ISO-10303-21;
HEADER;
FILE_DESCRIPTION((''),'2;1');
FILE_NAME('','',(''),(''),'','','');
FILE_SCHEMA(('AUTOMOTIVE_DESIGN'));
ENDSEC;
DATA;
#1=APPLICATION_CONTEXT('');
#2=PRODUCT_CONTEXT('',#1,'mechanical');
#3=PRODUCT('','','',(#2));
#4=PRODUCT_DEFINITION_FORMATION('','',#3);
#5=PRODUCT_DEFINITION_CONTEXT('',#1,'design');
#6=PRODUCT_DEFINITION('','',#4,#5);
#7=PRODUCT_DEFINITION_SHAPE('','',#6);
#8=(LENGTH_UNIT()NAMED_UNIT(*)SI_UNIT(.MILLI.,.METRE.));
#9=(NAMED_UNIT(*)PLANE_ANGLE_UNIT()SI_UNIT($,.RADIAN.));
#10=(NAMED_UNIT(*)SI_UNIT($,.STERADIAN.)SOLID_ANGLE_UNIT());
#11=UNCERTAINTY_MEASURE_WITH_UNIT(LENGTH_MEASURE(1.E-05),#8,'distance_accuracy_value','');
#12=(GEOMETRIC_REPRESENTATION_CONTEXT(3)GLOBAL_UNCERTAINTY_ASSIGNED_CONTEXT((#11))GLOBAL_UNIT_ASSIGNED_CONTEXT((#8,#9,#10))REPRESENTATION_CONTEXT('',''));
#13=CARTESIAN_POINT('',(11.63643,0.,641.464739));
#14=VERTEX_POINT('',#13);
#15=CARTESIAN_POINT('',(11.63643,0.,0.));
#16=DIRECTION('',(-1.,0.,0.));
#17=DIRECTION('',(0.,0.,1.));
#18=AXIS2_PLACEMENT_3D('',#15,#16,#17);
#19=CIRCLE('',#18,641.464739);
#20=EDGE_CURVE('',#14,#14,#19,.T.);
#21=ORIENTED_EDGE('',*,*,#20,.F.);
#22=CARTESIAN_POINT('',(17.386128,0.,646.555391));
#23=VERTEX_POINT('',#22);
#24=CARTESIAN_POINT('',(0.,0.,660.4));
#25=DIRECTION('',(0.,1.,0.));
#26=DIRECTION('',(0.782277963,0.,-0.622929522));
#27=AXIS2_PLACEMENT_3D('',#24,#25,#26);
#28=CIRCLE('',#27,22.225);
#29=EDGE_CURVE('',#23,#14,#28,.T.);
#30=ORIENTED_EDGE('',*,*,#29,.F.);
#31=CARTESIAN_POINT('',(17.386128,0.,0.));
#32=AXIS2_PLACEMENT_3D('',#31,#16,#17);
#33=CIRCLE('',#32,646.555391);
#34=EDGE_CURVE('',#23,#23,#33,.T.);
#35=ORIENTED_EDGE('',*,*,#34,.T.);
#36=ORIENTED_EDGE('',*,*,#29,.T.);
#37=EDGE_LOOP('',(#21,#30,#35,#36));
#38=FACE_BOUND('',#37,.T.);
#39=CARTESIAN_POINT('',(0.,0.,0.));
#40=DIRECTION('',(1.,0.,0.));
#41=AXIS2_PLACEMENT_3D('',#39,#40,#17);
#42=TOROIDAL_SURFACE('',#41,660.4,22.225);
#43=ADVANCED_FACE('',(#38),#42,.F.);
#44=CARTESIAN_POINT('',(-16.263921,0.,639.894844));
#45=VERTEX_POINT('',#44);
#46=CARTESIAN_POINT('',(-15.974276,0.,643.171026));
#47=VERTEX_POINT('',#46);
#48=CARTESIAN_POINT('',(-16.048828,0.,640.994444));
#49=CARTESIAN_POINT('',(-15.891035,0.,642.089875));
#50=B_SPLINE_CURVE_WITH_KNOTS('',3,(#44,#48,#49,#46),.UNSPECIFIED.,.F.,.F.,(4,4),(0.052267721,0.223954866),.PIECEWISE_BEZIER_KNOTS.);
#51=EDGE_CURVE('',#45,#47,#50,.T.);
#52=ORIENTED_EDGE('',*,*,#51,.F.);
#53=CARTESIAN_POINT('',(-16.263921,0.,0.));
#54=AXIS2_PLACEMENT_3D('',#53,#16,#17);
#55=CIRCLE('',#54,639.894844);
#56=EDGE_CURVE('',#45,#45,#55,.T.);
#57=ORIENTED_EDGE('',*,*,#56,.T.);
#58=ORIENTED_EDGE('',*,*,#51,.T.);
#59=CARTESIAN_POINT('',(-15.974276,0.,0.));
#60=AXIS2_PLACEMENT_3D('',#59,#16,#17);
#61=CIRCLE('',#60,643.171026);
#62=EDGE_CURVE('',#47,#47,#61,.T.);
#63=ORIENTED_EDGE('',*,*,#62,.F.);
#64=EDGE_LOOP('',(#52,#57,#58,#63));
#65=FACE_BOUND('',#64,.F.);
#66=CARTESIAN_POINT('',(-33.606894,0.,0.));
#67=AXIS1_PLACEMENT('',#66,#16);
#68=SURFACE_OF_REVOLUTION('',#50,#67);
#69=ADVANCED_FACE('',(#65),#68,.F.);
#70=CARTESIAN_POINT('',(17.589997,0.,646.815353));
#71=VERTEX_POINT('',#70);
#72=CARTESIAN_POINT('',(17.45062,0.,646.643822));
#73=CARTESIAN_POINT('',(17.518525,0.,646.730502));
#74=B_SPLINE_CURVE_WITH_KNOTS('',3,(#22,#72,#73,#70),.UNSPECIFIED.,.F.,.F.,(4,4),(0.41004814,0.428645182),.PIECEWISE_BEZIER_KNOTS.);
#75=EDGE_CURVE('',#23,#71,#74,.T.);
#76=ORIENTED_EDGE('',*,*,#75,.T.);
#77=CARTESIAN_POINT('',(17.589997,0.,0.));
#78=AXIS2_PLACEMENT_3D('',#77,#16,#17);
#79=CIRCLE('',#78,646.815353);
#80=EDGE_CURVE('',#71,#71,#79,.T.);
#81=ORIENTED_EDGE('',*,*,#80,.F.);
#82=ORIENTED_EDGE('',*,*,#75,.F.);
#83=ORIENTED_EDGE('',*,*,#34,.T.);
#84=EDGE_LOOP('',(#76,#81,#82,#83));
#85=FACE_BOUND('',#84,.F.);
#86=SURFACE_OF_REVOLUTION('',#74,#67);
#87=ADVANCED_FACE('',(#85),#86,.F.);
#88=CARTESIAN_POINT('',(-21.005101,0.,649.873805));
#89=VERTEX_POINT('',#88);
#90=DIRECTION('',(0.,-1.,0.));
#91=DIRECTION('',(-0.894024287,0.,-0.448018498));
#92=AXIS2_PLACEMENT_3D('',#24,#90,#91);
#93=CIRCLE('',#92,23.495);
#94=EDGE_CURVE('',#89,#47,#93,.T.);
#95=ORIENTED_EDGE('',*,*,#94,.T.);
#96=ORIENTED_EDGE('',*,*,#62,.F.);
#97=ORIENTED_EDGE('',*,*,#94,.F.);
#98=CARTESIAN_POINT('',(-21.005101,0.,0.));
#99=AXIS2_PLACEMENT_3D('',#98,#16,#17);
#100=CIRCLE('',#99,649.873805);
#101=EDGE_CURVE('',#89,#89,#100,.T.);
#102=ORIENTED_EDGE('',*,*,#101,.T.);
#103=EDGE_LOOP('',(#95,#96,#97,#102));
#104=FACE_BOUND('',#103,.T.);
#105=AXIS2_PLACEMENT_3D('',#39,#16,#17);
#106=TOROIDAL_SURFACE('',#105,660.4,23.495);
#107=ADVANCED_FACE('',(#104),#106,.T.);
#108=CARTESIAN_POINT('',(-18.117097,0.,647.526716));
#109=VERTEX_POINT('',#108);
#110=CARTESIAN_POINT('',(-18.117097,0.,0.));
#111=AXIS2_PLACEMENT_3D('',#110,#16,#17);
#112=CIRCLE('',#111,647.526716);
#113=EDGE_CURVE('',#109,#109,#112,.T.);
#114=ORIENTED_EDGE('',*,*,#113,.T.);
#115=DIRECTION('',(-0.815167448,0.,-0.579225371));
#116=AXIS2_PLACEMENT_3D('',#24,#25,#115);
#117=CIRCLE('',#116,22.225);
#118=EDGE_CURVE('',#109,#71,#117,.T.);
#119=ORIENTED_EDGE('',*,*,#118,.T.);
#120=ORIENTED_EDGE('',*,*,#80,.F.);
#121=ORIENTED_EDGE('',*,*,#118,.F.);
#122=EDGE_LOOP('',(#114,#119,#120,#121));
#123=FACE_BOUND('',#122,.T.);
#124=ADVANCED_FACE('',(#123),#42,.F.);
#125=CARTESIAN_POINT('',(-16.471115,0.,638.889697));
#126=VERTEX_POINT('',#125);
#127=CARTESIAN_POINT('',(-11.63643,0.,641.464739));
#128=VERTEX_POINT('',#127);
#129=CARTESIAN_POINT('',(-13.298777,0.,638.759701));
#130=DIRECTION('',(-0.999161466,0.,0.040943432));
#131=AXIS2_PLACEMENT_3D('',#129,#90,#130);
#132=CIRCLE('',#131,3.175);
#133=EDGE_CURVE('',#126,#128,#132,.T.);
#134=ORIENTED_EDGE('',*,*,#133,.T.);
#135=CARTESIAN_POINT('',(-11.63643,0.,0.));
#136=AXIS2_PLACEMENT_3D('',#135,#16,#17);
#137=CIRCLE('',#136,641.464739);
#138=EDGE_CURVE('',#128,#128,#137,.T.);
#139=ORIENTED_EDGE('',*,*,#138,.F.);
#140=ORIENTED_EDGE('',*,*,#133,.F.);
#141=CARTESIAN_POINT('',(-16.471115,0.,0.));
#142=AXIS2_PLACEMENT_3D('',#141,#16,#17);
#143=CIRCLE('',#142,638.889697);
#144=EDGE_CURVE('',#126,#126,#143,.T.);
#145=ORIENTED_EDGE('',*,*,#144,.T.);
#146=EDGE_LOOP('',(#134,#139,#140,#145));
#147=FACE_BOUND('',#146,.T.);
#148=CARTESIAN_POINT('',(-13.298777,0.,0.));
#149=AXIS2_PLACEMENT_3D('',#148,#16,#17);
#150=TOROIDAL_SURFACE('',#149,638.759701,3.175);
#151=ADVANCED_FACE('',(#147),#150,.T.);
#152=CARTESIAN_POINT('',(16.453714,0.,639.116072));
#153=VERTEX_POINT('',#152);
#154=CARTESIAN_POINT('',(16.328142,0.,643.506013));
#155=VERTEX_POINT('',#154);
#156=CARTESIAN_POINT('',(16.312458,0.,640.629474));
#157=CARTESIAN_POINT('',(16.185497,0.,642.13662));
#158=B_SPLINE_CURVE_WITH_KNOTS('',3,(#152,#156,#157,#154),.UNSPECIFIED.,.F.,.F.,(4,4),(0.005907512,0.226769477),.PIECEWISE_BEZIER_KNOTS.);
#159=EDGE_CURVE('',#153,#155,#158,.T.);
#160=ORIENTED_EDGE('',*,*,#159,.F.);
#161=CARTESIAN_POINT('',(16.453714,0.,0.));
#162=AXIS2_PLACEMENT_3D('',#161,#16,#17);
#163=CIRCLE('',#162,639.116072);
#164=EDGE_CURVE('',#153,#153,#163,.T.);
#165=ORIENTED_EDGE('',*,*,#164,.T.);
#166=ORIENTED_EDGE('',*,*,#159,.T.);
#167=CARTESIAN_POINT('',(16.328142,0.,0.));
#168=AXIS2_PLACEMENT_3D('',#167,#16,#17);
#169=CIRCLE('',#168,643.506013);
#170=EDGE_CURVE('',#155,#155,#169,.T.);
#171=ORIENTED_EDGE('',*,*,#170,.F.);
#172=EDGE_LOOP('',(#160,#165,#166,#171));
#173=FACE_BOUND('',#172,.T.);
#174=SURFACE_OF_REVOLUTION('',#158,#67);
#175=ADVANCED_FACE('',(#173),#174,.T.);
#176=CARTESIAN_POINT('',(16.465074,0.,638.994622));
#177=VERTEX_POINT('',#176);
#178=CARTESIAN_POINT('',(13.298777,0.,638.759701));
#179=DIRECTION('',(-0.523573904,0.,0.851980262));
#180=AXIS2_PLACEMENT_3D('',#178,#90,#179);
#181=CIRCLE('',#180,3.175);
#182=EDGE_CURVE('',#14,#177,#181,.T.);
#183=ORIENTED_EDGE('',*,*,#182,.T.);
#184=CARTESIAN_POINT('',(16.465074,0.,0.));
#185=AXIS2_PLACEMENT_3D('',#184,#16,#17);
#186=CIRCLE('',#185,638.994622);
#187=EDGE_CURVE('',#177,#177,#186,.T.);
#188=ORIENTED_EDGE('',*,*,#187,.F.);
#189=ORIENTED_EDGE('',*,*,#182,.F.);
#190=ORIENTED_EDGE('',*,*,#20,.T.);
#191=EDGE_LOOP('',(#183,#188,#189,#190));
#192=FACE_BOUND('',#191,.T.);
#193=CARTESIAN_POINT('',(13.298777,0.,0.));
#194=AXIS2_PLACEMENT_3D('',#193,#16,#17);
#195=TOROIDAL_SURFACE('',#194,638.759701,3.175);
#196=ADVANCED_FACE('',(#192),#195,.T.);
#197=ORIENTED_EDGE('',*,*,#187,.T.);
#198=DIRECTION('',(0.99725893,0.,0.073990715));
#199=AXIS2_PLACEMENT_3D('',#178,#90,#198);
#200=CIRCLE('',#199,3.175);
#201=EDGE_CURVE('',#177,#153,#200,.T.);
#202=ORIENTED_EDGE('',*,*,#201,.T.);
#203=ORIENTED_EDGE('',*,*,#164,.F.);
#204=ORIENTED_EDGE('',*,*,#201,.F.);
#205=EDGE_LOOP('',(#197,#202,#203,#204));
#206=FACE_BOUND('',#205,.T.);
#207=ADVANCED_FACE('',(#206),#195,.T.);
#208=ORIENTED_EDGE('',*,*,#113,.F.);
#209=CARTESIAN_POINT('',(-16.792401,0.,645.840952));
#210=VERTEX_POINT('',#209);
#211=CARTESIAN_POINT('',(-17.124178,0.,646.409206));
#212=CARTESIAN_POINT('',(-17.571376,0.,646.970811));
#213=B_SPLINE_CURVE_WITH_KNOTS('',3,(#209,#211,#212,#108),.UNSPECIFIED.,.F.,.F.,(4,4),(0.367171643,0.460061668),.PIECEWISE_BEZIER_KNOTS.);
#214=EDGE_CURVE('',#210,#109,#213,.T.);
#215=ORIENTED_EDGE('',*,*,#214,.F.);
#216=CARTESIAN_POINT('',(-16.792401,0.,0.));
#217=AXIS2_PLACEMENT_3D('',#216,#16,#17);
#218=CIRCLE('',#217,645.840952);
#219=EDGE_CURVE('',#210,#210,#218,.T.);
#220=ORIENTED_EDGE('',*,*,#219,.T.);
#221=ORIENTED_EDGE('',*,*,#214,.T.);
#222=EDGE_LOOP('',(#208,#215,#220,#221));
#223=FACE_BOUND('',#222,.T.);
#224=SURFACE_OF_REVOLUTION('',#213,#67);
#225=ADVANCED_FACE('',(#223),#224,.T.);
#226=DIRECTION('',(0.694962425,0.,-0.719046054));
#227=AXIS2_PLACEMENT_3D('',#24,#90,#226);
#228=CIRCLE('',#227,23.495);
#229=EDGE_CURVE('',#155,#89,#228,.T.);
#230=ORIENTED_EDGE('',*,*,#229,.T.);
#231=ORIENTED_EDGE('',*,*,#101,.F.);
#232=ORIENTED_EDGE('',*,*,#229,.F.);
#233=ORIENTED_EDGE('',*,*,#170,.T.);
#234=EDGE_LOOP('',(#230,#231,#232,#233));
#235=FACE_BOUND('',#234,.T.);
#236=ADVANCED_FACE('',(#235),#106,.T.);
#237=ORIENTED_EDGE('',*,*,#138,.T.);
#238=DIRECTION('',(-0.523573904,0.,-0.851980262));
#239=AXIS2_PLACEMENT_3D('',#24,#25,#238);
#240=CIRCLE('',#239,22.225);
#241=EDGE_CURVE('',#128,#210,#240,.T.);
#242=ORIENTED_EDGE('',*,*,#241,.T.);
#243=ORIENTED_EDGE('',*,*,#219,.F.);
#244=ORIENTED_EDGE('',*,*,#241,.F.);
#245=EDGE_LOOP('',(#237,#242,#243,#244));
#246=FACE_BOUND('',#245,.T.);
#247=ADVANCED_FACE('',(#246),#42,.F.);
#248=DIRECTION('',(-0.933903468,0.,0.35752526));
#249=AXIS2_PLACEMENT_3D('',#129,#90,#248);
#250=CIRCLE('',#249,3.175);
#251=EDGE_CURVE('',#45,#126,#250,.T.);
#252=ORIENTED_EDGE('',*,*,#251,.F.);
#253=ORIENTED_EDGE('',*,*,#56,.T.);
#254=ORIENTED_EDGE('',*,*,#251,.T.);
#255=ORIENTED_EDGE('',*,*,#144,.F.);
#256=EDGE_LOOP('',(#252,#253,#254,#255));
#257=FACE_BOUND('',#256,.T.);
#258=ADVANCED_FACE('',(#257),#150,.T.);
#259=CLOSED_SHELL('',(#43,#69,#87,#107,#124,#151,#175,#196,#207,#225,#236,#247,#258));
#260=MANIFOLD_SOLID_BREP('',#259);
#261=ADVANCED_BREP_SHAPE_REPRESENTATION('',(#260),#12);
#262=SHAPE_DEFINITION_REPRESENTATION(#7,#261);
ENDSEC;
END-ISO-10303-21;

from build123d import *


with BuildPart() as f2:
    # F0 (on Front) → F2 (revolve)
    with BuildSketch(Plane.XZ):
        with BuildLine():
            ThreePointArc((17.3861277255, 646.5553913846), (14.732817138, 643.759846029), (11.636430024, 641.4647386789))
            ThreePointArc((11.636430024, 641.4647386789), (11.8528049586, 635.9330798015), (16.4650742742, 638.9946218655))
            add(Edge.make_bspline(
                [(16.4650742742, 638.9946218655), (16.4612804679, 639.0351080649), (16.4574920025, 639.0755923051), (16.4537137636, 639.1160720697)],
                knots=[0, 0, 0, 0, 0.0059075116, 0.0059075116, 0.0059075116, 0.0059075116], degree=3))
            add(Edge.make_bspline(
                [(16.4537137636, 639.1160720697), (16.3124581342, 640.6294741643), (16.1854967271, 642.1366204378), (16.328142176, 643.5060129607)],
                knots=[0.0059075116, 0.0059075116, 0.0059075116, 0.0059075116, 0.2267694767, 0.2267694767, 0.2267694767, 0.2267694767], degree=3))
            add(Edge.make_bspline(
                [(16.328142176, 643.5060129607), (16.446514152, 644.6423807885), (16.7505437944, 645.6838881212), (17.3861277255, 646.5553913846)],
                knots=[0.2267694767, 0.2267694767, 0.2267694767, 0.2267694767, 0.4100481404, 0.4100481404, 0.4100481404, 0.4100481404], degree=3))
        make_face()
        with BuildLine():
            add(Edge.make_bspline(
                [(16.4650742742, 638.9946218655), (16.4612804679, 639.0351080649), (16.4574920025, 639.0755923051), (16.4537137636, 639.1160720697)],
                knots=[0, 0, 0, 0, 0.0059075116, 0.0059075116, 0.0059075116, 0.0059075116], degree=3))
            ThreePointArc((16.4650742742, 638.9946218655), (16.4599773224, 639.0554015301), (16.4537137636, 639.1160720697))
        make_face()
        with BuildLine():
            ThreePointArc((17.5899966415, 646.8153526674), (17.4885452197, 646.6849932155), (17.3861277255, 646.5553913846))
            add(Edge.make_bspline(
                [(16.328142176, 643.5060129607), (16.446514152, 644.6423807885), (16.7505437944, 645.6838881212), (17.3861277255, 646.5553913846)],
                knots=[0.2267694767, 0.2267694767, 0.2267694767, 0.2267694767, 0.4100481404, 0.4100481404, 0.4100481404, 0.4100481404], degree=3))
            ThreePointArc((16.328142176, 643.5060129607), (18.5517955015, 645.9831380435), (20.4030524121, 648.7496576329))
            add(Edge.make_bspline(
                [(17.5899966415, 646.8153526674), (18.2521343995, 647.6014429883), (19.2203412774, 648.2305666695), (20.4030524121, 648.7496576329)],
                knots=[0.4286451816, 0.4286451816, 0.4286451816, 0.4286451816, 0.6009347229, 0.6009347229, 0.6009347229, 0.6009347229], degree=3))
        make_face()
        with BuildLine():
            add(Edge.make_bspline(
                [(17.3861277255, 646.5553913846), (17.4506195778, 646.6438216564), (17.5185250766, 646.7305015851), (17.5899966415, 646.8153526674)],
                knots=[0.4100481404, 0.4100481404, 0.4100481404, 0.4100481404, 0.4286451816, 0.4286451816, 0.4286451816, 0.4286451816], degree=3))
            ThreePointArc((17.3861277255, 646.5553913846), (17.4885452197, 646.6849932155), (17.5899966415, 646.8153526674))
        make_face()
        with BuildLine():
            ThreePointArc((-18.1170965421, 647.5267161189), (0.4426828056, 682.6205908322), (17.5899966415, 646.8153526674))
            add(Edge.make_bspline(
                [(17.5899966415, 646.8153526674), (18.2521343995, 647.6014429883), (19.2203412774, 648.2305666695), (20.4030524121, 648.7496576329)],
                knots=[0.4286451816, 0.4286451816, 0.4286451816, 0.4286451816, 0.6009347229, 0.6009347229, 0.6009347229, 0.6009347229], degree=3))
            ThreePointArc((20.4030524121, 648.7496576329), (0.6376068943, 683.8863467242), (-21.0051006165, 649.873805384))
            add(Edge.make_bspline(
                [(-18.1170965421, 647.5267161189), (-18.8956119163, 648.3197608534), (-19.8746342245, 649.1012057792), (-21.0051006165, 649.873805384)],
                knots=[0.4600616676, 0.4600616676, 0.4600616676, 0.4600616676, 0.5925769302, 0.5925769302, 0.5925769302, 0.5925769302], degree=3))
        make_face()
        with BuildLine():
            ThreePointArc((-16.7924014281, 645.840951979), (-17.475088335, 646.6678511265), (-18.1170965421, 647.5267161189))
            add(Edge.make_bspline(
                [(-18.1170965421, 647.5267161189), (-18.8956119163, 648.3197608534), (-19.8746342245, 649.1012057792), (-21.0051006165, 649.873805384)],
                knots=[0.4600616676, 0.4600616676, 0.4600616676, 0.4600616676, 0.5925769302, 0.5925769302, 0.5925769302, 0.5925769302], degree=3))
            ThreePointArc((-21.0051006165, 649.873805384), (-18.7909655473, 646.2962898923), (-15.9742760611, 643.1710264576))
            add(Edge.make_bspline(
                [(-15.9742760611, 643.1710264576), (-16.0437133508, 644.0728937897), (-16.2808723289, 644.9648250164), (-16.7924014281, 645.840951979)],
                knots=[0.223954866, 0.223954866, 0.223954866, 0.223954866, 0.3671716426, 0.3671716426, 0.3671716426, 0.3671716426], degree=3))
        make_face()
        with BuildLine():
            add(Edge.make_bspline(
                [(-16.7924014281, 645.840951979), (-17.1241778578, 646.4092056249), (-17.5713759127, 646.9708107559), (-18.1170965421, 647.5267161189)],
                knots=[0.3671716426, 0.3671716426, 0.3671716426, 0.3671716426, 0.4600616676, 0.4600616676, 0.4600616676, 0.4600616676], degree=3))
            ThreePointArc((-18.1170965421, 647.5267161189), (-17.475088335, 646.6678511265), (-16.7924014281, 645.840951979))
        make_face()
        with BuildLine():
            ThreePointArc((-11.636430024, 641.4647386789), (-14.3818435934, 643.4555849952), (-16.7924014281, 645.840951979))
            add(Edge.make_bspline(
                [(-15.9742760611, 643.1710264576), (-16.0437133508, 644.0728937897), (-16.2808723289, 644.9648250164), (-16.7924014281, 645.840951979)],
                knots=[0.223954866, 0.223954866, 0.223954866, 0.223954866, 0.3671716426, 0.3671716426, 0.3671716426, 0.3671716426], degree=3))
            add(Edge.make_bspline(
                [(-16.2639206829, 639.8948440474), (-16.0488275791, 640.9944443275), (-15.8910351845, 642.0898749939), (-15.9742760611, 643.1710264576)],
                knots=[0.0522677208, 0.0522677208, 0.0522677208, 0.0522677208, 0.223954866, 0.223954866, 0.223954866, 0.223954866], degree=3))
            add(Edge.make_bspline(
                [(-16.4711148251, 638.8896967453), (-16.4001954811, 639.2249421262), (-16.3294027333, 639.5600863092), (-16.2639206829, 639.8948440474)],
                knots=[0, 0, 0, 0, 0.0522677208, 0.0522677208, 0.0522677208, 0.0522677208], degree=3))
            ThreePointArc((-16.4711148251, 638.8896967453), (-11.8062196089, 635.9573992712), (-11.636430024, 641.4647386789))
        make_face()
        with BuildLine():
            add(Edge.make_bspline(
                [(-16.4711148251, 638.8896967453), (-16.4001954811, 639.2249421262), (-16.3294027333, 639.5600863092), (-16.2639206829, 639.8948440474)],
                knots=[0, 0, 0, 0, 0.0522677208, 0.0522677208, 0.0522677208, 0.0522677208], degree=3))
            ThreePointArc((-16.2639206829, 639.8948440474), (-16.4083991803, 639.400697412), (-16.4711148251, 638.8896967453))
        make_face()
    revolve(axis=Axis((-33.6068943143, 0, 0), (-1, 0, 0)))


solid = f2.part
